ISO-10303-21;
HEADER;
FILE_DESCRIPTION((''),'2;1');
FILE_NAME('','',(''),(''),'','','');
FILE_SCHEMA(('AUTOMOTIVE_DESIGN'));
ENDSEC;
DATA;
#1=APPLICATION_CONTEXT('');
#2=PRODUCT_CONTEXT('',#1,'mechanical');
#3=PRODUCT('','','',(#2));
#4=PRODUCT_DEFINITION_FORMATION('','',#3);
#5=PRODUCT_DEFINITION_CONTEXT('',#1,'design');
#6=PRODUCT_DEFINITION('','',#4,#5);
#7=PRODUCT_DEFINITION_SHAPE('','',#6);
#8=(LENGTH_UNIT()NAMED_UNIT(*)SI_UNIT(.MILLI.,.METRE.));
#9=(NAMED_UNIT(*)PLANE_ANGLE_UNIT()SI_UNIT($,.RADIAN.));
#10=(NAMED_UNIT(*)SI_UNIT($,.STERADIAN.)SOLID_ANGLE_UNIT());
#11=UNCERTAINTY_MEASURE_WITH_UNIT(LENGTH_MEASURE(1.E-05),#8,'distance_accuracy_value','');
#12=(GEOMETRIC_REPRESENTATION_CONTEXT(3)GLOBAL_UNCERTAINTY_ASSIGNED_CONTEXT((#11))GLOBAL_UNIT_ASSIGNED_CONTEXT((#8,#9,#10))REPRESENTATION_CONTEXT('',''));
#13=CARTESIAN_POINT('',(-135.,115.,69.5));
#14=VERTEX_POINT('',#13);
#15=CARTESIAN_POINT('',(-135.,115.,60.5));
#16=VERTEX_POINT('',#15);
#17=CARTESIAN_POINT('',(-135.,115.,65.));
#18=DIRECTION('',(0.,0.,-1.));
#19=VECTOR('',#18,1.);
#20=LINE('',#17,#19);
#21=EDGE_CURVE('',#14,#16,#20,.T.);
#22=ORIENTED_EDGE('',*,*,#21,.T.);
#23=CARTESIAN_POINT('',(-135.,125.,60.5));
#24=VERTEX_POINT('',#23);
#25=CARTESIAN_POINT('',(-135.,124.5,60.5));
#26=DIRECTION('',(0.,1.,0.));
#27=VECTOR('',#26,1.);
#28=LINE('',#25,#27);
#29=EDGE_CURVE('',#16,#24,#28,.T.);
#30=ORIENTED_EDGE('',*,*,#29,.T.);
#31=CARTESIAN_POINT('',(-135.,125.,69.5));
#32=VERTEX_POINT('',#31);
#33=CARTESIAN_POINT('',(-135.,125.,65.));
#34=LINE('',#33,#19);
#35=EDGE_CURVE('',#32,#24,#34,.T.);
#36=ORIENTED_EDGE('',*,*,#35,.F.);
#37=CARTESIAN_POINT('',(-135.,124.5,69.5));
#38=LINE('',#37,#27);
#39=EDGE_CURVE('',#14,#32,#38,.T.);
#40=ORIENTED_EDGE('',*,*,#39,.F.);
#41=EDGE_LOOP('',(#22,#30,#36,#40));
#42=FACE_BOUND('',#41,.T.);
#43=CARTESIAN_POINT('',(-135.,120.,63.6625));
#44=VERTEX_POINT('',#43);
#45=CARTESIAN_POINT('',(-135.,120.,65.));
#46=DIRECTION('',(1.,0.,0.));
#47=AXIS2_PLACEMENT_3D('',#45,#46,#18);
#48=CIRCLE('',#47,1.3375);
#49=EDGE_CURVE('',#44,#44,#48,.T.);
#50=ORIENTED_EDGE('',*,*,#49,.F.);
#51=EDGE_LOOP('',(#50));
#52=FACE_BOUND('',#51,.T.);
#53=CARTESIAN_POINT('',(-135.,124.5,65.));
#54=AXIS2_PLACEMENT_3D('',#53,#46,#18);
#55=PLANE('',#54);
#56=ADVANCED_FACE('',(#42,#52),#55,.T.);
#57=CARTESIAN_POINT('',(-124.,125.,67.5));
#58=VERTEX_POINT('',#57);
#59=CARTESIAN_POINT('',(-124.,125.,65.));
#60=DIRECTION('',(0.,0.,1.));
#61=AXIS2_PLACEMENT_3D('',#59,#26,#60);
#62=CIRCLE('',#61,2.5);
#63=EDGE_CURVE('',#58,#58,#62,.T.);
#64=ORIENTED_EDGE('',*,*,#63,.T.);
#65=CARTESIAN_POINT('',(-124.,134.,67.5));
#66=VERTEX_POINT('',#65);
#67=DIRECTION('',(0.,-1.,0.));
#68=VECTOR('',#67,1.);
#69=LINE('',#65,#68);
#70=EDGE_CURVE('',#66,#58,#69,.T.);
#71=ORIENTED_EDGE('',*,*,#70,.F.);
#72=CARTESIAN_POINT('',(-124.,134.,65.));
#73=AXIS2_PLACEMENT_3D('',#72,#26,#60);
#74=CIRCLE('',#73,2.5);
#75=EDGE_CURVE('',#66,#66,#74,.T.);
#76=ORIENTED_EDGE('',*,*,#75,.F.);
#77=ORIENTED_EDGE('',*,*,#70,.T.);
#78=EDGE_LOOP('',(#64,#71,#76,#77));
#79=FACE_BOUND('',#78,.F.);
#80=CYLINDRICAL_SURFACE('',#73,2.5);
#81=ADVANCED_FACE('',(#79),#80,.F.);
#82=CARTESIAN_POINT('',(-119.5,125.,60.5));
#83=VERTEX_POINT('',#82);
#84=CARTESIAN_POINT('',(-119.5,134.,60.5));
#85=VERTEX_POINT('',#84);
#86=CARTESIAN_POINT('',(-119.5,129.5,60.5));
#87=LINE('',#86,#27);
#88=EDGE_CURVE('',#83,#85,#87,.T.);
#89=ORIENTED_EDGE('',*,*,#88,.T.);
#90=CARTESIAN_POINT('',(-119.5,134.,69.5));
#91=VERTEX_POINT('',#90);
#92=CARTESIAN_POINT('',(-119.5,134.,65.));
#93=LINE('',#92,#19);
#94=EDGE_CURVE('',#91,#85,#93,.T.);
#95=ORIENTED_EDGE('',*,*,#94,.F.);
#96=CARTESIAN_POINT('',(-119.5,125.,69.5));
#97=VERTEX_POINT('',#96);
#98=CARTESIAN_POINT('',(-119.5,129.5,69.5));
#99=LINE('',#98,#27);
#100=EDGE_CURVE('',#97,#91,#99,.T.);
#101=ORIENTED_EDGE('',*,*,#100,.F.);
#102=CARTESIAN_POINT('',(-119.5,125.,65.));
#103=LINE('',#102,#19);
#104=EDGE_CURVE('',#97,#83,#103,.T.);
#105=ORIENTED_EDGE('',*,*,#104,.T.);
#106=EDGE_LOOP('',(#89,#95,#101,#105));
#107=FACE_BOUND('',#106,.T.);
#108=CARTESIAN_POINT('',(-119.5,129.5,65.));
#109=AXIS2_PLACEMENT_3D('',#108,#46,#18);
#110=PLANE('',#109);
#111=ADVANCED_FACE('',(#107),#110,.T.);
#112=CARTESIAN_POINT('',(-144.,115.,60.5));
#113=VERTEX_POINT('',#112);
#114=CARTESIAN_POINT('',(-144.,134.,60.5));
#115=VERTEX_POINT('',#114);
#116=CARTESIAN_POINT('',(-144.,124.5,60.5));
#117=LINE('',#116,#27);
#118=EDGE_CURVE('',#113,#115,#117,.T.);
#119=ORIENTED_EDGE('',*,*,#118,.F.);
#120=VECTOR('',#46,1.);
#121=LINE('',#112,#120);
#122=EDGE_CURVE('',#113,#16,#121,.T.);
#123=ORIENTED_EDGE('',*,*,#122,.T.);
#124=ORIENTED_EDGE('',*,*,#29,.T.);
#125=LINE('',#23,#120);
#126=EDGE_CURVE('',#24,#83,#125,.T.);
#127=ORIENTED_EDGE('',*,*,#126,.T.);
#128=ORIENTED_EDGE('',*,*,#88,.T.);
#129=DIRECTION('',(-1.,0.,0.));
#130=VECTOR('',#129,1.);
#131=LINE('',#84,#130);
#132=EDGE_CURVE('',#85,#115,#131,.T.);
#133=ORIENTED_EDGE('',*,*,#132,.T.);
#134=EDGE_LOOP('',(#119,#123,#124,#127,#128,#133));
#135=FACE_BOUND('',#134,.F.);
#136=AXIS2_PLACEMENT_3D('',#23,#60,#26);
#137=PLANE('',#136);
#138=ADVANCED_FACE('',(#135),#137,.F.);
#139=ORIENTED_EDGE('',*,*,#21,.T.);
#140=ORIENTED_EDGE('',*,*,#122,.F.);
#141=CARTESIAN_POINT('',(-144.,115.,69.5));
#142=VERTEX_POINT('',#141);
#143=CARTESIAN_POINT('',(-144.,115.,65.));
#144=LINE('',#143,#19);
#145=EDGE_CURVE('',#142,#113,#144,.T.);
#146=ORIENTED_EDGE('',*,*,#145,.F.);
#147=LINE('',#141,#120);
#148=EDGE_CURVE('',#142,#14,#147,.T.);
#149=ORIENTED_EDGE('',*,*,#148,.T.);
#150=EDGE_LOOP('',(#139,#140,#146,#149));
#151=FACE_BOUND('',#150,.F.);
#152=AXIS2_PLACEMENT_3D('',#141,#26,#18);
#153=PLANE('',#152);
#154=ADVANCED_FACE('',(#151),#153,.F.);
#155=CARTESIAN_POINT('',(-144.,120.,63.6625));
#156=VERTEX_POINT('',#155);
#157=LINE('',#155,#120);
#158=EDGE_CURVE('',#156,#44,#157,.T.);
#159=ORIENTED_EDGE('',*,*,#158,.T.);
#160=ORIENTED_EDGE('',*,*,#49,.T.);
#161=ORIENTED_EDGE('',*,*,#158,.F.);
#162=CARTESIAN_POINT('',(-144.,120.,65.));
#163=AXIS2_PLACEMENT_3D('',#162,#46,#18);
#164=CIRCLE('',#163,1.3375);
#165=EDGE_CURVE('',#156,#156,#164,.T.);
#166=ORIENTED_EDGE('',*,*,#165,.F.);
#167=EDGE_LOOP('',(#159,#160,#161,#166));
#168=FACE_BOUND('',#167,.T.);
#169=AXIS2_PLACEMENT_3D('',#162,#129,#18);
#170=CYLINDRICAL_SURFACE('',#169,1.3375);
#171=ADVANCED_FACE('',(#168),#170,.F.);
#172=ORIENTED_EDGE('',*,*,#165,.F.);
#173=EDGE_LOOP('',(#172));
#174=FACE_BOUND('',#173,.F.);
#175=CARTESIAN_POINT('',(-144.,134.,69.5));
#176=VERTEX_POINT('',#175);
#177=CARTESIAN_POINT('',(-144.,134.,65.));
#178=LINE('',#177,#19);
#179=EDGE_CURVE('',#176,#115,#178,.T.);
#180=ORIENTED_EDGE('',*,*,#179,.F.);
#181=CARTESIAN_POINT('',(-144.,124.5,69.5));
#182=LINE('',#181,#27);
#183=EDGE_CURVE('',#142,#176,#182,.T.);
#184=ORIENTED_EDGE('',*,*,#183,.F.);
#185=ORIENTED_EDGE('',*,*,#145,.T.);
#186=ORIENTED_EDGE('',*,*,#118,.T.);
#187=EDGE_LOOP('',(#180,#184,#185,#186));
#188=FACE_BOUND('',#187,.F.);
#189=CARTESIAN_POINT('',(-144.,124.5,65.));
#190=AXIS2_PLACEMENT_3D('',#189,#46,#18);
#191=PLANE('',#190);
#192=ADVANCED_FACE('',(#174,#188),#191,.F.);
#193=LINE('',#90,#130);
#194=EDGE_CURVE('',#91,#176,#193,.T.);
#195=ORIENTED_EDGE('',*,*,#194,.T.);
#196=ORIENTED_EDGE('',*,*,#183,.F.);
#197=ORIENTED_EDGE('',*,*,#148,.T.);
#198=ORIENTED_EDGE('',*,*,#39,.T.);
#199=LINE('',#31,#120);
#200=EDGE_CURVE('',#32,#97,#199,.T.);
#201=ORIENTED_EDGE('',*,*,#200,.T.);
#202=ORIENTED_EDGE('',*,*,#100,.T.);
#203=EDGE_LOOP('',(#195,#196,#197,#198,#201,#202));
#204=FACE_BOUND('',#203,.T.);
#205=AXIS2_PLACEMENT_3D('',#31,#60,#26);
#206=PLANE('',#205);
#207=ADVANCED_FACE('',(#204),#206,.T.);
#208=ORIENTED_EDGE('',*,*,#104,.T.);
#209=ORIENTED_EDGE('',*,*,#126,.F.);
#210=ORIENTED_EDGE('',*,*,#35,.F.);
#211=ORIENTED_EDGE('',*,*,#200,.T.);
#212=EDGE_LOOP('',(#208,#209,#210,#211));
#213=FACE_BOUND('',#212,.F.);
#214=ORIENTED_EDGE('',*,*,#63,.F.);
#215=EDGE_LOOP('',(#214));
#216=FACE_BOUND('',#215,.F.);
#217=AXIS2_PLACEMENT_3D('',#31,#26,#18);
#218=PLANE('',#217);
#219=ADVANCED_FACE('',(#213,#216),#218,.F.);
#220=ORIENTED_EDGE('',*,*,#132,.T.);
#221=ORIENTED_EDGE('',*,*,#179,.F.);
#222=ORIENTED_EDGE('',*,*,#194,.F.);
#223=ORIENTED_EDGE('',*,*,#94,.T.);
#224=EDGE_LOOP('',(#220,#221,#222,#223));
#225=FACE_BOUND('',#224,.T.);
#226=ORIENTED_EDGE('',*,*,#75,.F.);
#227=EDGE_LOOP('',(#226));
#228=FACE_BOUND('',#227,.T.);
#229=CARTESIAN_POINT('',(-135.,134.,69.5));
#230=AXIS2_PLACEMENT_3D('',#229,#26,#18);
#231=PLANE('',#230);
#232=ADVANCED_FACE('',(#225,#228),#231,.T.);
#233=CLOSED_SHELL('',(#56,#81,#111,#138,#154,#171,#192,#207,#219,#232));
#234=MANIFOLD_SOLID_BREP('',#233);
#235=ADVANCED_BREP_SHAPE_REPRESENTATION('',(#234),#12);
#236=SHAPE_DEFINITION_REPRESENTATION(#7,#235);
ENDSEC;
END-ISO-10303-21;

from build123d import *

# Parameters (mm, degrees)
SKETCH057_W             = 9
SKETCH057_H             = 19
SKETCH057_R             = 1.3375
PAD030_DEPTH            = 9
SKETCH058_W             = 9
SKETCH058_H             = 9
PAD031_DEPTH            = 15.5
SKETCH059_R             = 2.5
POCKET026_DEPTH         = 19.001
BODY013_PLACEMENT_ANGLE = 90


with BuildPart() as part:
    # Sketch057 → Pad030 (new body)
    with BuildSketch(Plane.XY):
        with Locations((4.5, 9.5)):
            Rectangle(SKETCH057_W, SKETCH057_H)
        with Locations((4.5, 5)):
            Circle(SKETCH057_R, mode=Mode.SUBTRACT)
    extrude(amount=PAD030_DEPTH)

    # Sketch058 (on Face7 of Pad030) → Pad031 (join)
    with BuildSketch(Plane.XY.offset(9)):
        with Locations((4.5, 14.5)):
            Rectangle(SKETCH058_W, SKETCH058_H)
    extrude(amount=PAD031_DEPTH)

    # Sketch059 (on Face11 of Pad031) → Pocket026 (cut, through all)
    with BuildSketch(Plane(origin=(0, 19, 0), x_dir=(-1, 0, 0), z_dir=(0, 1, 0))):
        with Locations((-4.5, 20)):
            Circle(SKETCH059_R)
    extrude(amount=-POCKET026_DEPTH, mode=Mode.SUBTRACT)


with BuildPart() as part_1:
    # Body013 placement: moved
    add(part.part.moved(Location((-144, 115, 69.5))).rotate(Axis((-144, 115, 69.5), (0, 1, 0)), BODY013_PLACEMENT_ANGLE))


solid = part_1.part
